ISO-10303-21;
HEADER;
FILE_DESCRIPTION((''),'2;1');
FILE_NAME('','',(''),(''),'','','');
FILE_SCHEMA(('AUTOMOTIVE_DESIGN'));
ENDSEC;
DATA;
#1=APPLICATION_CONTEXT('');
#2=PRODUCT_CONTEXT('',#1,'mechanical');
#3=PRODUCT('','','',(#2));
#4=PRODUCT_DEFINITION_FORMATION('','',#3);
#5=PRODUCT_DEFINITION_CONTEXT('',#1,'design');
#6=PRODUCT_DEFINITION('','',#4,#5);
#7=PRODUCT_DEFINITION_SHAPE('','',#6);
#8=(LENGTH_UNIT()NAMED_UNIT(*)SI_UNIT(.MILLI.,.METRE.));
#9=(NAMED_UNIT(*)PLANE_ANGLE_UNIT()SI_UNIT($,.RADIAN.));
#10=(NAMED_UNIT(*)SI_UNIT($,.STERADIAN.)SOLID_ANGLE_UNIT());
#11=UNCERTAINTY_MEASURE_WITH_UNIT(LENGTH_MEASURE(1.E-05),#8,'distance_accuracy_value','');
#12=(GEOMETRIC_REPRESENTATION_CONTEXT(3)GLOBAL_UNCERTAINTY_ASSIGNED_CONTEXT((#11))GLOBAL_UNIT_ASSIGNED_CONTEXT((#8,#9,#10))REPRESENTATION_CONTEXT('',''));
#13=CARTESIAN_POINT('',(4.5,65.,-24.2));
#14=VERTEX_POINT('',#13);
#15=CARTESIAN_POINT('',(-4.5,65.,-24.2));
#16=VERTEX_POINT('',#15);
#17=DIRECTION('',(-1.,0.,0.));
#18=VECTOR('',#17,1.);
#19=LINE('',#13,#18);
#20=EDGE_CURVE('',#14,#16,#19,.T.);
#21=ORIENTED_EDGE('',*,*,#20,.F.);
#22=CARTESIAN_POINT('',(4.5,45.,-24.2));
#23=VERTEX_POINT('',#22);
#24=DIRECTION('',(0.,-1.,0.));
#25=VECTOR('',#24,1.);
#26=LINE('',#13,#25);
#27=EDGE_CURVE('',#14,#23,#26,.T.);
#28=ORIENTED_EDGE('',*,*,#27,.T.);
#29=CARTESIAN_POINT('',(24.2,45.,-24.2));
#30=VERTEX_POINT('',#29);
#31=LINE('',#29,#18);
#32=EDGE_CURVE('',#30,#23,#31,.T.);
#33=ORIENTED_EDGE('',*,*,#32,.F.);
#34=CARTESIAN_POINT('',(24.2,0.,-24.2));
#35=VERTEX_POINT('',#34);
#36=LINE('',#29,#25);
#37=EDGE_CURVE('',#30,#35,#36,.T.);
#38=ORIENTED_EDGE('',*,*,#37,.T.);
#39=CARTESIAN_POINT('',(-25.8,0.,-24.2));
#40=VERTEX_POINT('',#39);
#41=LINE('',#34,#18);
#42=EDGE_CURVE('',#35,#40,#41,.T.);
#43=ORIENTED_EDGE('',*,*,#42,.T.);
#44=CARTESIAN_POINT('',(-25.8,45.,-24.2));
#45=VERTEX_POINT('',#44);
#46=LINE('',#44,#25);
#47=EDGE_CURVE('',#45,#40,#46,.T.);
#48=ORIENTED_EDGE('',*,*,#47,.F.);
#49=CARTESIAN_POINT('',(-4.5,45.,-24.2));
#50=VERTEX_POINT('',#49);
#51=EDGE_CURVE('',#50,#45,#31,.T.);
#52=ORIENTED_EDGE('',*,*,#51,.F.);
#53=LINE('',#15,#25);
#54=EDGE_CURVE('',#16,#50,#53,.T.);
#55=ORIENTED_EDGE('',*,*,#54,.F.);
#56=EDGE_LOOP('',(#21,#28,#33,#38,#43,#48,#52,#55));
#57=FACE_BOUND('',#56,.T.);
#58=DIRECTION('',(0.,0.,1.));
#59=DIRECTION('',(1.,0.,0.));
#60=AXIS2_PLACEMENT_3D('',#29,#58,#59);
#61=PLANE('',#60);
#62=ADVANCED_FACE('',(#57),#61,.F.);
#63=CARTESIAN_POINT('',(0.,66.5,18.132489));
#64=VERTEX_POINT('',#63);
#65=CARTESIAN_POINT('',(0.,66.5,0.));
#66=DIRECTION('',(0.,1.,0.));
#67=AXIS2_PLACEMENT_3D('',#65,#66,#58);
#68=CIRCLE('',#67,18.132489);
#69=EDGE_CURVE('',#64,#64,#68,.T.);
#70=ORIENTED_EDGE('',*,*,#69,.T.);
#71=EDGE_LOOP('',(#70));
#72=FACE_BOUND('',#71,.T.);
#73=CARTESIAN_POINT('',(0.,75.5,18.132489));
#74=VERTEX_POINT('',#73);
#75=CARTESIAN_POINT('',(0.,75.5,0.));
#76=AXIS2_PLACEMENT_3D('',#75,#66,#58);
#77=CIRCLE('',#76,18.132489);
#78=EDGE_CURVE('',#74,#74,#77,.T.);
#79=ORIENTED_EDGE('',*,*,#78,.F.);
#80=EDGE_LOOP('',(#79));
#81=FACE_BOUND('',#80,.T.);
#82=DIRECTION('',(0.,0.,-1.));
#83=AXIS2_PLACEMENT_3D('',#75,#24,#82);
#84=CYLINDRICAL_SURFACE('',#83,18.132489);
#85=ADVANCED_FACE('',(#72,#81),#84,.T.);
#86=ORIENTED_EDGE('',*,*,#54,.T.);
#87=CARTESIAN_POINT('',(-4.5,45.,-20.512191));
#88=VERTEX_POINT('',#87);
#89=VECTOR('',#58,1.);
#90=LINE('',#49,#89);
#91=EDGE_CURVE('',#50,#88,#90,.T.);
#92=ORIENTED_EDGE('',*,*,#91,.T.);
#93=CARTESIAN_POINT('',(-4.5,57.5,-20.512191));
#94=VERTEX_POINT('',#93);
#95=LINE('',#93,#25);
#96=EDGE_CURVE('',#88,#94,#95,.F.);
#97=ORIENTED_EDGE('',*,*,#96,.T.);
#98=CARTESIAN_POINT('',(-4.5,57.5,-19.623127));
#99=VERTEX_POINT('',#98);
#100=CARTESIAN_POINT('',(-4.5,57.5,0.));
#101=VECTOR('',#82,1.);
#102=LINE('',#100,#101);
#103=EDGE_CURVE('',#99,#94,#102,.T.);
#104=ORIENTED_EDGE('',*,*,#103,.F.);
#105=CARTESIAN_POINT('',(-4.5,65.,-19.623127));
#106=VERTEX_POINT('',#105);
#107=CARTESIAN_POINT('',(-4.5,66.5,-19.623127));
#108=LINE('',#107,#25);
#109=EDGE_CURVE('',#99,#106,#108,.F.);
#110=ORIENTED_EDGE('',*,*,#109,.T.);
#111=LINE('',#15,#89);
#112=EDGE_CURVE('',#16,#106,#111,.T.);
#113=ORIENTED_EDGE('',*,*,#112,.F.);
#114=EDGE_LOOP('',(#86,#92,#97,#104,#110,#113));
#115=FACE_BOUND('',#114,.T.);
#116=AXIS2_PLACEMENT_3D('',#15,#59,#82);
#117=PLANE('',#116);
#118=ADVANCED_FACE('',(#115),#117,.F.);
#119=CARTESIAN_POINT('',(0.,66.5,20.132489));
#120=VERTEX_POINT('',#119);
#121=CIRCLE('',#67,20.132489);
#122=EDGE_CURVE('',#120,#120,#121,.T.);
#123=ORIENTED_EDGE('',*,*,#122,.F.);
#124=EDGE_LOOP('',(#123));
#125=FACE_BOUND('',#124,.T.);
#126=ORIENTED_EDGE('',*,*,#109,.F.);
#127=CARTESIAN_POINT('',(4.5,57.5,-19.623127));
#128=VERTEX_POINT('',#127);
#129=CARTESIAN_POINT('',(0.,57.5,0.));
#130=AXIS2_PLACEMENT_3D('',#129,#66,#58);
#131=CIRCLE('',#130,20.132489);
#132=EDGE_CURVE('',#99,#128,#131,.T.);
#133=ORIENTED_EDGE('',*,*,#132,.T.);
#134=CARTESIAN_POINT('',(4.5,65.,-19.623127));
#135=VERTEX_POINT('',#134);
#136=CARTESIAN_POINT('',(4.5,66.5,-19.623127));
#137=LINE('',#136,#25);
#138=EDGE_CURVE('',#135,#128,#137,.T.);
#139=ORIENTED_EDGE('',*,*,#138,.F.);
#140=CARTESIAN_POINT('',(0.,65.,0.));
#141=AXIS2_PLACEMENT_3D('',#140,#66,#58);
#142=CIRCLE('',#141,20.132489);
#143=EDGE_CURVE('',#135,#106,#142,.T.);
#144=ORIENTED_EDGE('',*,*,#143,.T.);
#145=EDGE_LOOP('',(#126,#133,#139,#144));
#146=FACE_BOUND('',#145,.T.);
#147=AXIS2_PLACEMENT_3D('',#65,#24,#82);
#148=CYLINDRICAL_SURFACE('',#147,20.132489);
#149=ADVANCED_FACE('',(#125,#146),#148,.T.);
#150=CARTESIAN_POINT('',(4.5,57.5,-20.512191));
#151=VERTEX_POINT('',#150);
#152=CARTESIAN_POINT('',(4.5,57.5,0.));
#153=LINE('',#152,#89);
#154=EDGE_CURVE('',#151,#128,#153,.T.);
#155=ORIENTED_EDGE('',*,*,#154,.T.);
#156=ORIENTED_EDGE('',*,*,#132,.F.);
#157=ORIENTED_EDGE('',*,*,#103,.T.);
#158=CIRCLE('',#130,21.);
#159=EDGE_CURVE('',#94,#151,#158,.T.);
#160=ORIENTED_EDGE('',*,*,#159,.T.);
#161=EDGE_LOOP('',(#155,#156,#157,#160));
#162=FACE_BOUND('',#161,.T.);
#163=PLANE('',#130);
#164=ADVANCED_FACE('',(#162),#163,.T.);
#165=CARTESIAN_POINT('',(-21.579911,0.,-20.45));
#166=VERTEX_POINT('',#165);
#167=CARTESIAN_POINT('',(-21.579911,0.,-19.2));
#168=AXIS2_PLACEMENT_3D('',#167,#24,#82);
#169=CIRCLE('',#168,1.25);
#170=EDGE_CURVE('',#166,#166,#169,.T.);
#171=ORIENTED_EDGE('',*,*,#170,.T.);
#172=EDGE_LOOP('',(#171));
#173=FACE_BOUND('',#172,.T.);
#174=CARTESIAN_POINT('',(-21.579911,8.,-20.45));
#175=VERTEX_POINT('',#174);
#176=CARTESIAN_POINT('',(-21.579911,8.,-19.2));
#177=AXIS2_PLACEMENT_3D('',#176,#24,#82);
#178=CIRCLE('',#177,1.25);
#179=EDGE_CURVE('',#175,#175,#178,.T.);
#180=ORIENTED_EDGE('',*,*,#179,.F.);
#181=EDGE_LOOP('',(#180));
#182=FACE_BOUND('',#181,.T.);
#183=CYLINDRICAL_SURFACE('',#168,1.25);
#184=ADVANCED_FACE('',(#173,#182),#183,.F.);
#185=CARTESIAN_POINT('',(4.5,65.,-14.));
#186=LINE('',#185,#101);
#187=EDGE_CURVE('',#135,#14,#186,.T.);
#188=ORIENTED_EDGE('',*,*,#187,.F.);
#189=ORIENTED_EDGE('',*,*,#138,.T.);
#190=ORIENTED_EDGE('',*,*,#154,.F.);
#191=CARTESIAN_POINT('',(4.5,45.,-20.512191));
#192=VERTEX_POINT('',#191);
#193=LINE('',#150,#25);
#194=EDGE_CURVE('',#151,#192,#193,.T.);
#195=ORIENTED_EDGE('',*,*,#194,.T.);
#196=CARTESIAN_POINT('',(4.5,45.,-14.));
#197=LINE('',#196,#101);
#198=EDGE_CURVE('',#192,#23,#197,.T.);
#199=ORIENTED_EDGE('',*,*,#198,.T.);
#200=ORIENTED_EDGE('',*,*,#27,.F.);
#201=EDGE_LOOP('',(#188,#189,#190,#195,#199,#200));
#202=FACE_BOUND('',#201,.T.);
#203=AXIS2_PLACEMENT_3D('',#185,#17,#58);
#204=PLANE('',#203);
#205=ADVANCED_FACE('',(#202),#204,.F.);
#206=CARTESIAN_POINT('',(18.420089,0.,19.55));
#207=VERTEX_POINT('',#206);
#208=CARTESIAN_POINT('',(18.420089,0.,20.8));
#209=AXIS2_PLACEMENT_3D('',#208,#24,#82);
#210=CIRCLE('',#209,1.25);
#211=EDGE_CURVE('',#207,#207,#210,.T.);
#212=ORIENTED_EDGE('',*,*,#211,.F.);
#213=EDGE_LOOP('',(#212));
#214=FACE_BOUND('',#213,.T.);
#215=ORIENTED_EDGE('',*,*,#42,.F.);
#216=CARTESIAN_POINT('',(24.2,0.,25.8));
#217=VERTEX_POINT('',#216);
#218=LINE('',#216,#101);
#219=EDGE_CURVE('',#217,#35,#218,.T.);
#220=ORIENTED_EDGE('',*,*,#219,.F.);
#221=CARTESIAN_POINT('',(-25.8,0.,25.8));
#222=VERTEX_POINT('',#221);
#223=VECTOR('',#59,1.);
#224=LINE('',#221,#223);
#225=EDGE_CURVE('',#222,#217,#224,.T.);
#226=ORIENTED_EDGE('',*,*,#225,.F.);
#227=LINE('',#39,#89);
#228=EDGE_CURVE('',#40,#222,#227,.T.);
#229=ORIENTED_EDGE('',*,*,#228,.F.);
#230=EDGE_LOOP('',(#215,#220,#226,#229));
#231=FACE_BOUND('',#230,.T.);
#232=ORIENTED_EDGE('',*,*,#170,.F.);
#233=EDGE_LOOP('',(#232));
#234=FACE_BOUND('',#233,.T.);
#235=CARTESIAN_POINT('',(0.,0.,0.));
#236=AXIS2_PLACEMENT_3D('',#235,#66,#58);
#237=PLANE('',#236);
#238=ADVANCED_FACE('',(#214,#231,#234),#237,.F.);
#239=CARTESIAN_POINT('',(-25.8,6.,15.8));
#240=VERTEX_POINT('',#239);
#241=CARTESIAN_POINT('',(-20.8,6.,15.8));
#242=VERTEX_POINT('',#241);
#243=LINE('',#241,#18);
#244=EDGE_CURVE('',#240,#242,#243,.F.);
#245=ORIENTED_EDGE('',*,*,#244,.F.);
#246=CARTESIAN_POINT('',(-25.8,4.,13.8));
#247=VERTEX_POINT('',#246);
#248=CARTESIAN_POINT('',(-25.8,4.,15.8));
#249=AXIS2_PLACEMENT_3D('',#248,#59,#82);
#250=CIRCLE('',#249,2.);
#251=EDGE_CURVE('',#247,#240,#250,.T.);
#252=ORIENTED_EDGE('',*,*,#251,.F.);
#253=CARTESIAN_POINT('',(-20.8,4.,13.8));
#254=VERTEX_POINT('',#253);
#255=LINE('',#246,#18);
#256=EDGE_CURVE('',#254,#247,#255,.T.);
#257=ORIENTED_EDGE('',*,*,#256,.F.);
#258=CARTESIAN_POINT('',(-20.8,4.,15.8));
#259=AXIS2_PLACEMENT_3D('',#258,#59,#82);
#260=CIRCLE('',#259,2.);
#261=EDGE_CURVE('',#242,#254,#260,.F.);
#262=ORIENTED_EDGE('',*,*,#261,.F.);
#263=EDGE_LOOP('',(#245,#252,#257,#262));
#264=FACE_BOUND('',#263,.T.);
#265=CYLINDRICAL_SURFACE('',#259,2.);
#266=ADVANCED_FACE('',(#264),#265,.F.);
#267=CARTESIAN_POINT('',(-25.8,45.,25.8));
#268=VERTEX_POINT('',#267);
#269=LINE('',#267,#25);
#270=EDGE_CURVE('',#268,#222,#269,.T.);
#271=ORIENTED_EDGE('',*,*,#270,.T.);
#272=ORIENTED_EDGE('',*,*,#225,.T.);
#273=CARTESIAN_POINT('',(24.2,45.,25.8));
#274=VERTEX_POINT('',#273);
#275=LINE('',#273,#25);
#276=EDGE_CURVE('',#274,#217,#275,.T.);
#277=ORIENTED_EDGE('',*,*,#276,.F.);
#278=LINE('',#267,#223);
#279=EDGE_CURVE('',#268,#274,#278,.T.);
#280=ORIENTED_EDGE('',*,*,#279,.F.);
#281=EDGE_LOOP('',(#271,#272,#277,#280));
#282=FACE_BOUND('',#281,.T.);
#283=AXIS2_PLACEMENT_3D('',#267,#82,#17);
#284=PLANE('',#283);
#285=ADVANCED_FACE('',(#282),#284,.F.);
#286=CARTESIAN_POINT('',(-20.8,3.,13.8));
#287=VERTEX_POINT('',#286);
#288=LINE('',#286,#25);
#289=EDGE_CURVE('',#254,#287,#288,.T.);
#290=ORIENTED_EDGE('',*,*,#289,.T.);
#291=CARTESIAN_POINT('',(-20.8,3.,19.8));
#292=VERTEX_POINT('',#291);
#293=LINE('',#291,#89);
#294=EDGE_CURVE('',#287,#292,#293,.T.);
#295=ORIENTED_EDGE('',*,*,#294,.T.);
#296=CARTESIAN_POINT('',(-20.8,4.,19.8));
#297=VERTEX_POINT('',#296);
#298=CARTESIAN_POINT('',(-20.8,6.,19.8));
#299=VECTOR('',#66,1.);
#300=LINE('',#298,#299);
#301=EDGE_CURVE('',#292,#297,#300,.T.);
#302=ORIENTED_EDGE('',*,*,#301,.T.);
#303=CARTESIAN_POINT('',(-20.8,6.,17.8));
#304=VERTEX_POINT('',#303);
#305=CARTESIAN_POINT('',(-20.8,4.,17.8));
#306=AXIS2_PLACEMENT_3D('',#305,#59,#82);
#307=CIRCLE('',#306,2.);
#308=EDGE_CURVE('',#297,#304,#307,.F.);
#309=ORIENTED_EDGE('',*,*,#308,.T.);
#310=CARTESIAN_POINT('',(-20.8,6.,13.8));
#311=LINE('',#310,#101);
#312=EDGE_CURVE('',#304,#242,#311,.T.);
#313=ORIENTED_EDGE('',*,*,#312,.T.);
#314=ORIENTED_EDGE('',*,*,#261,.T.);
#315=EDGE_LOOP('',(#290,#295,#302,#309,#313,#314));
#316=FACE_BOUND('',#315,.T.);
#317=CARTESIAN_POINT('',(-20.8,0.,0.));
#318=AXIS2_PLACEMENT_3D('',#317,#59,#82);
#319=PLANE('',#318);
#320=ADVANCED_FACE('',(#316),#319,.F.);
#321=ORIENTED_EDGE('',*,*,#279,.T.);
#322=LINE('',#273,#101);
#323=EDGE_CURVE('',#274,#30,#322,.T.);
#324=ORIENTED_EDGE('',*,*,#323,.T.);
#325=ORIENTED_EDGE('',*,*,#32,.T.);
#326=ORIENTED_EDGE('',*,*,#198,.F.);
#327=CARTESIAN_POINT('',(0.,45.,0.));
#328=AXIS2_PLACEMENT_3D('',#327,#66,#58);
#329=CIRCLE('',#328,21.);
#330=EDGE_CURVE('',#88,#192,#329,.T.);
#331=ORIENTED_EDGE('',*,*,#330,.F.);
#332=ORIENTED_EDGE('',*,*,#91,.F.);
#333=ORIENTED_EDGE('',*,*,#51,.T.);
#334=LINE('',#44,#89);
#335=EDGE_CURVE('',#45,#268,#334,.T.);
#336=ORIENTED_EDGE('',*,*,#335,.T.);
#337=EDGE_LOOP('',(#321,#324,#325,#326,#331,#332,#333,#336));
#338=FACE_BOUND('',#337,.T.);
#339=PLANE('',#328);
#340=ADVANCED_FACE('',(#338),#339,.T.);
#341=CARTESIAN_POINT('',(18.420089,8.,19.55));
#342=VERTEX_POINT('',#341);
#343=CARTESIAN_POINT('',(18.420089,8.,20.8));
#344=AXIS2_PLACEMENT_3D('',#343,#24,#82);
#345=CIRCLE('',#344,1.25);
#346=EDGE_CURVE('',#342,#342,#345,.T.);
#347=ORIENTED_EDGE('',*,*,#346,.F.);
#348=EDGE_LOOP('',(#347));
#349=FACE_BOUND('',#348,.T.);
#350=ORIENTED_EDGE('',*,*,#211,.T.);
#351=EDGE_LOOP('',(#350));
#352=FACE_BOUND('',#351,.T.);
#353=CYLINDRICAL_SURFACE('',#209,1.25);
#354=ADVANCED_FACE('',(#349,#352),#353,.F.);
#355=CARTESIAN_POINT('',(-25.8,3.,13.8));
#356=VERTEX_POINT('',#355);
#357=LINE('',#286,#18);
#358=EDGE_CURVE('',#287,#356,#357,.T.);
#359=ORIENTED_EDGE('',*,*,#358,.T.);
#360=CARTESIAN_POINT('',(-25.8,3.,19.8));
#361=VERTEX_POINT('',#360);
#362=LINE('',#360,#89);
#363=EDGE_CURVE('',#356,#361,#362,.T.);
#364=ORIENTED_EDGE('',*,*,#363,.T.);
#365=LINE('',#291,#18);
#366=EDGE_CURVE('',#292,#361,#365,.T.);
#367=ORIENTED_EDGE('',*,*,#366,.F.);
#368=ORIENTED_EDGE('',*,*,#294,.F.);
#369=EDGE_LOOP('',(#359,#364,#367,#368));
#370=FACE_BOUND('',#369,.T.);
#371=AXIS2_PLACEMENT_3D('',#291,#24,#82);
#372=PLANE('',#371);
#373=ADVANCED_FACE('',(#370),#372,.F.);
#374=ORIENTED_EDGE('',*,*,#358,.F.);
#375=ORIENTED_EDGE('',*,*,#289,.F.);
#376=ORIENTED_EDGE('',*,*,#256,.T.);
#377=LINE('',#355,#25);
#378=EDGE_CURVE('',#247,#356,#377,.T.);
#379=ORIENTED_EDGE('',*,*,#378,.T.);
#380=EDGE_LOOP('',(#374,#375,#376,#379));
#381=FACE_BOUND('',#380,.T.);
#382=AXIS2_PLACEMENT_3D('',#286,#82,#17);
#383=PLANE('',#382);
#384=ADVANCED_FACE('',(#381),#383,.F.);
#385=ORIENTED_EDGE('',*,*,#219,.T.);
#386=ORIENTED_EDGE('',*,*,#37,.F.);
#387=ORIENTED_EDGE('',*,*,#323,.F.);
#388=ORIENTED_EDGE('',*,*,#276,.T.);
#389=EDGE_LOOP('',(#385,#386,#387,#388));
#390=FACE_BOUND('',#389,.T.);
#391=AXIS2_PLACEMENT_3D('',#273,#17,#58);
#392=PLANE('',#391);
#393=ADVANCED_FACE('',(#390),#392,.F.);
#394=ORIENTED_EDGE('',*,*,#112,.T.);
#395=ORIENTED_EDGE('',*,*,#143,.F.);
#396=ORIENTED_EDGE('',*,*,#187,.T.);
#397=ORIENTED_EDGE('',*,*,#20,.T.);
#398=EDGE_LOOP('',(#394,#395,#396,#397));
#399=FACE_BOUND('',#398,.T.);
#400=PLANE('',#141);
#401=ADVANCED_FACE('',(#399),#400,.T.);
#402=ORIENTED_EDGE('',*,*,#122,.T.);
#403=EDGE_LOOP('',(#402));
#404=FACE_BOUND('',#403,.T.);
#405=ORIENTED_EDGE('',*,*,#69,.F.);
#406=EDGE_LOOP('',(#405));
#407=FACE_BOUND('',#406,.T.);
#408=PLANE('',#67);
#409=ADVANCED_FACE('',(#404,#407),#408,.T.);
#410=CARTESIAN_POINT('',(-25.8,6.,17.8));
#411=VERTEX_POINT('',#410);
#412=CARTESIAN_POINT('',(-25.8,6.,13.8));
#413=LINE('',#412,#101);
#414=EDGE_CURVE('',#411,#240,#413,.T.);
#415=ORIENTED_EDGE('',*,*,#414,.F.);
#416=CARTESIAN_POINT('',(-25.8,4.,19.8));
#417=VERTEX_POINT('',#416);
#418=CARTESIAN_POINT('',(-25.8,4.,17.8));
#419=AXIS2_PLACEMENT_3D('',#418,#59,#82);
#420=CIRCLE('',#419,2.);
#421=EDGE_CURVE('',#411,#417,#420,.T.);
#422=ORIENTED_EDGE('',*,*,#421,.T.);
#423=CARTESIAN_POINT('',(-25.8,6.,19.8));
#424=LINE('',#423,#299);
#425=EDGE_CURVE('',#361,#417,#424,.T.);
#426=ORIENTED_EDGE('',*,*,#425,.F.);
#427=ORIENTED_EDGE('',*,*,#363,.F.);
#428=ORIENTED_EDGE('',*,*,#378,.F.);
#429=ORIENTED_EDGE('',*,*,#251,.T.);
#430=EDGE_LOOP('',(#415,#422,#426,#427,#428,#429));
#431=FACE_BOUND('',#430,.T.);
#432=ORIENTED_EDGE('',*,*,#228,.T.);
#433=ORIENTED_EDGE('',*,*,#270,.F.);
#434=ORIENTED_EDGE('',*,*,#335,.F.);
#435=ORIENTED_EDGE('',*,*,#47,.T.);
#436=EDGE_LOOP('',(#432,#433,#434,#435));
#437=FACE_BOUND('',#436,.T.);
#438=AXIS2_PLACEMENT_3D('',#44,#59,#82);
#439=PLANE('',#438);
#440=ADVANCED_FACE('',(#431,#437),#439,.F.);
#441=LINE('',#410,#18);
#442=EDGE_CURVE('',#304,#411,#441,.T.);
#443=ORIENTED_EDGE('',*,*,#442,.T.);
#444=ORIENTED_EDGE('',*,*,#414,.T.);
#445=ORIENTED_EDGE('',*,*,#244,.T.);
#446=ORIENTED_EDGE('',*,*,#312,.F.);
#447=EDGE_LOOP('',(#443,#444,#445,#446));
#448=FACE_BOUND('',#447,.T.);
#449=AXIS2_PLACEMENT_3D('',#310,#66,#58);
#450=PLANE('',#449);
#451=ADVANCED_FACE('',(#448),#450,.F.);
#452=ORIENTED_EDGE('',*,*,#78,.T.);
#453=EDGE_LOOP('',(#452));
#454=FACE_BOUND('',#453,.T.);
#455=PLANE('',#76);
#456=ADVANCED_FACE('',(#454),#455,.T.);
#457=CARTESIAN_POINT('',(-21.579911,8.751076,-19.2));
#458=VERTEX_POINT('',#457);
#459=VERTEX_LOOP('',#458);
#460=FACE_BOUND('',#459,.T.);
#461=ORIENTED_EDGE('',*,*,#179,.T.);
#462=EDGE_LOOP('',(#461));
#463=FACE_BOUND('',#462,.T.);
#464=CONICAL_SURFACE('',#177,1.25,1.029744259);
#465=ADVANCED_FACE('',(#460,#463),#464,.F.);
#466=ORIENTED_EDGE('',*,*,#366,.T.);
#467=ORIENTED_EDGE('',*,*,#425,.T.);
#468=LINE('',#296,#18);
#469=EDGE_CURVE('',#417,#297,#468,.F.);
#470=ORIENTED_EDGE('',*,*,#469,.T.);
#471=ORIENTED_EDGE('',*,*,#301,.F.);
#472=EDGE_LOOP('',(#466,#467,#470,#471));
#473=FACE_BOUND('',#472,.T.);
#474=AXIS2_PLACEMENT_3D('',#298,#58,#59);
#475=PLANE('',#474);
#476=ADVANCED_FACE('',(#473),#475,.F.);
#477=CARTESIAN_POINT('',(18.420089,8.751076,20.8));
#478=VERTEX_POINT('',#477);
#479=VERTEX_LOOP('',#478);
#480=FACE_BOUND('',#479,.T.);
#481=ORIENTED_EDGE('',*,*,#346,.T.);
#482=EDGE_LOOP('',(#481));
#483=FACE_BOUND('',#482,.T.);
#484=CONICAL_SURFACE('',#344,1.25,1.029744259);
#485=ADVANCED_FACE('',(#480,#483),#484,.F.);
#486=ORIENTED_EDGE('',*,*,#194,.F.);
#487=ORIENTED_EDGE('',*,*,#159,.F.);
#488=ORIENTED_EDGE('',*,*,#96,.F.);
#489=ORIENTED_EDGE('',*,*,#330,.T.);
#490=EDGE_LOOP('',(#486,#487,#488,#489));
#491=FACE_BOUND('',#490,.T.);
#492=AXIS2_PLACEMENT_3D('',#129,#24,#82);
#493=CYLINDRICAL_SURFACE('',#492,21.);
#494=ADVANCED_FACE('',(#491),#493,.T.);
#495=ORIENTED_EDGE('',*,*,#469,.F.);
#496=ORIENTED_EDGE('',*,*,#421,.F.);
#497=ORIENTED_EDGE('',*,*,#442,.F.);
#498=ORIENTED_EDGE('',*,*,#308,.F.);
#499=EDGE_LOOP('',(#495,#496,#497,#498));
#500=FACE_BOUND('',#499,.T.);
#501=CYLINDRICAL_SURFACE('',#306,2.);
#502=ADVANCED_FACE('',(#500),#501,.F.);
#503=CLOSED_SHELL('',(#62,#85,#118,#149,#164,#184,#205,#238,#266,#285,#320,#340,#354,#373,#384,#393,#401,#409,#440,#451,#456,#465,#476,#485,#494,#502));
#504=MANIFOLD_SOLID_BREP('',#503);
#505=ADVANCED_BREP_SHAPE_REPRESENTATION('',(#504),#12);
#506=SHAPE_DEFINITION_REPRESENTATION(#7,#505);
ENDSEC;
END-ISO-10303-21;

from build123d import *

# Parameters (mm, degrees)
SKETCH1_W        = 50
SKETCH1_H        = 50
EXTRUSION1_DEPTH = 45
SKETCH2_R        = 21
EXTRUSION2_DEPTH = 12.5
SKETCH3_R        = 20.13248881
EXTRUSION3_DEPTH = 9
SKETCH4_R        = 18.13248881
EXTRUSION4_DEPTH = 9
SKETCH5_W        = 9
SKETCH5_H        = 10.2
EXTRUSION5_DEPTH = 20
HOLE1_D          = 2.5
HOLE1_DEPTH      = 8
HOLE1_TIP        = 0.751075774
SKETCH8_W        = 6
SKETCH8_H        = 3
EXTRUSION6_DEPTH = 5
FILLET1_R        = 2


with BuildPart() as part:
    # Sketch1 → Extrusion1 (new body)
    with BuildSketch(Plane(origin=(0, 0, 0), x_dir=(-1, 0, 0), z_dir=(0, 1, 0))):
        with Locations((0.8, 0.8)):
            Rectangle(SKETCH1_W, SKETCH1_H)
    extrude(amount=EXTRUSION1_DEPTH)

    # Sketch2 → Extrusion2 (add)
    with BuildSketch(Plane(origin=(0, 45, 0), x_dir=(-1, 0, 0), z_dir=(0, 1, 0))):
        with Locations(Location((0, 0, 0), (0, 0, 90))):
            Circle(SKETCH2_R)
    extrude(amount=EXTRUSION2_DEPTH)

    # Sketch3 → Extrusion3 (add)
    with BuildSketch(Plane(origin=(0, 57.5, 0), x_dir=(-1, 0, 0), z_dir=(0, 1, 0))):
        with Locations(Location((0, 0, 0), (0, 0, 90))):
            Circle(SKETCH3_R)
    extrude(amount=EXTRUSION3_DEPTH)

    # Sketch4 → Extrusion4 (add)
    with BuildSketch(Plane(origin=(0, 66.5, 0), x_dir=(-1, 0, 0), z_dir=(0, 1, 0))):
        with Locations(Location((0, 0, 0), (0, 0, 90))):
            Circle(SKETCH4_R)
    extrude(amount=EXTRUSION4_DEPTH)

    # Sketch5 → Extrusion5 (add)
    with BuildSketch(Plane(origin=(0, 45, 0), x_dir=(1, 0, 0), z_dir=(0, 1, 0))):
        with Locations((0, 19.1)):
            Rectangle(SKETCH5_W, SKETCH5_H)
    extrude(amount=EXTRUSION5_DEPTH)

    # Hole1
    with Locations(Plane(origin=(0, 0, 0), x_dir=(-1, 0, 0), z_dir=(0, -1, 0))):
        with Locations((-18.420088858, -20.8), (21.579911142, 19.2)):
            Hole(HOLE1_D / 2, depth=HOLE1_DEPTH)
            with Locations((0, 0, -(HOLE1_DEPTH + HOLE1_TIP / 2))):  # 118° drill point
                Cone(0, HOLE1_D / 2, HOLE1_TIP, mode=Mode.SUBTRACT)

    # Sketch8 → Extrusion6 (cut)
    with BuildSketch(Plane.ZY.offset(25.8)):
        with Locations((16.8, 4.5)):
            Rectangle(SKETCH8_W, SKETCH8_H)
    extrude(amount=-EXTRUSION6_DEPTH, mode=Mode.SUBTRACT)

    # Fillet1
    fillet1_edges = [part.edges().sort_by_distance(p)[0] for p in [
        (-23.3, 6, 13.8),
        (-23.3, 6, 19.8),
    ]]
    fillet(fillet1_edges, radius=FILLET1_R)


solid = part.part
